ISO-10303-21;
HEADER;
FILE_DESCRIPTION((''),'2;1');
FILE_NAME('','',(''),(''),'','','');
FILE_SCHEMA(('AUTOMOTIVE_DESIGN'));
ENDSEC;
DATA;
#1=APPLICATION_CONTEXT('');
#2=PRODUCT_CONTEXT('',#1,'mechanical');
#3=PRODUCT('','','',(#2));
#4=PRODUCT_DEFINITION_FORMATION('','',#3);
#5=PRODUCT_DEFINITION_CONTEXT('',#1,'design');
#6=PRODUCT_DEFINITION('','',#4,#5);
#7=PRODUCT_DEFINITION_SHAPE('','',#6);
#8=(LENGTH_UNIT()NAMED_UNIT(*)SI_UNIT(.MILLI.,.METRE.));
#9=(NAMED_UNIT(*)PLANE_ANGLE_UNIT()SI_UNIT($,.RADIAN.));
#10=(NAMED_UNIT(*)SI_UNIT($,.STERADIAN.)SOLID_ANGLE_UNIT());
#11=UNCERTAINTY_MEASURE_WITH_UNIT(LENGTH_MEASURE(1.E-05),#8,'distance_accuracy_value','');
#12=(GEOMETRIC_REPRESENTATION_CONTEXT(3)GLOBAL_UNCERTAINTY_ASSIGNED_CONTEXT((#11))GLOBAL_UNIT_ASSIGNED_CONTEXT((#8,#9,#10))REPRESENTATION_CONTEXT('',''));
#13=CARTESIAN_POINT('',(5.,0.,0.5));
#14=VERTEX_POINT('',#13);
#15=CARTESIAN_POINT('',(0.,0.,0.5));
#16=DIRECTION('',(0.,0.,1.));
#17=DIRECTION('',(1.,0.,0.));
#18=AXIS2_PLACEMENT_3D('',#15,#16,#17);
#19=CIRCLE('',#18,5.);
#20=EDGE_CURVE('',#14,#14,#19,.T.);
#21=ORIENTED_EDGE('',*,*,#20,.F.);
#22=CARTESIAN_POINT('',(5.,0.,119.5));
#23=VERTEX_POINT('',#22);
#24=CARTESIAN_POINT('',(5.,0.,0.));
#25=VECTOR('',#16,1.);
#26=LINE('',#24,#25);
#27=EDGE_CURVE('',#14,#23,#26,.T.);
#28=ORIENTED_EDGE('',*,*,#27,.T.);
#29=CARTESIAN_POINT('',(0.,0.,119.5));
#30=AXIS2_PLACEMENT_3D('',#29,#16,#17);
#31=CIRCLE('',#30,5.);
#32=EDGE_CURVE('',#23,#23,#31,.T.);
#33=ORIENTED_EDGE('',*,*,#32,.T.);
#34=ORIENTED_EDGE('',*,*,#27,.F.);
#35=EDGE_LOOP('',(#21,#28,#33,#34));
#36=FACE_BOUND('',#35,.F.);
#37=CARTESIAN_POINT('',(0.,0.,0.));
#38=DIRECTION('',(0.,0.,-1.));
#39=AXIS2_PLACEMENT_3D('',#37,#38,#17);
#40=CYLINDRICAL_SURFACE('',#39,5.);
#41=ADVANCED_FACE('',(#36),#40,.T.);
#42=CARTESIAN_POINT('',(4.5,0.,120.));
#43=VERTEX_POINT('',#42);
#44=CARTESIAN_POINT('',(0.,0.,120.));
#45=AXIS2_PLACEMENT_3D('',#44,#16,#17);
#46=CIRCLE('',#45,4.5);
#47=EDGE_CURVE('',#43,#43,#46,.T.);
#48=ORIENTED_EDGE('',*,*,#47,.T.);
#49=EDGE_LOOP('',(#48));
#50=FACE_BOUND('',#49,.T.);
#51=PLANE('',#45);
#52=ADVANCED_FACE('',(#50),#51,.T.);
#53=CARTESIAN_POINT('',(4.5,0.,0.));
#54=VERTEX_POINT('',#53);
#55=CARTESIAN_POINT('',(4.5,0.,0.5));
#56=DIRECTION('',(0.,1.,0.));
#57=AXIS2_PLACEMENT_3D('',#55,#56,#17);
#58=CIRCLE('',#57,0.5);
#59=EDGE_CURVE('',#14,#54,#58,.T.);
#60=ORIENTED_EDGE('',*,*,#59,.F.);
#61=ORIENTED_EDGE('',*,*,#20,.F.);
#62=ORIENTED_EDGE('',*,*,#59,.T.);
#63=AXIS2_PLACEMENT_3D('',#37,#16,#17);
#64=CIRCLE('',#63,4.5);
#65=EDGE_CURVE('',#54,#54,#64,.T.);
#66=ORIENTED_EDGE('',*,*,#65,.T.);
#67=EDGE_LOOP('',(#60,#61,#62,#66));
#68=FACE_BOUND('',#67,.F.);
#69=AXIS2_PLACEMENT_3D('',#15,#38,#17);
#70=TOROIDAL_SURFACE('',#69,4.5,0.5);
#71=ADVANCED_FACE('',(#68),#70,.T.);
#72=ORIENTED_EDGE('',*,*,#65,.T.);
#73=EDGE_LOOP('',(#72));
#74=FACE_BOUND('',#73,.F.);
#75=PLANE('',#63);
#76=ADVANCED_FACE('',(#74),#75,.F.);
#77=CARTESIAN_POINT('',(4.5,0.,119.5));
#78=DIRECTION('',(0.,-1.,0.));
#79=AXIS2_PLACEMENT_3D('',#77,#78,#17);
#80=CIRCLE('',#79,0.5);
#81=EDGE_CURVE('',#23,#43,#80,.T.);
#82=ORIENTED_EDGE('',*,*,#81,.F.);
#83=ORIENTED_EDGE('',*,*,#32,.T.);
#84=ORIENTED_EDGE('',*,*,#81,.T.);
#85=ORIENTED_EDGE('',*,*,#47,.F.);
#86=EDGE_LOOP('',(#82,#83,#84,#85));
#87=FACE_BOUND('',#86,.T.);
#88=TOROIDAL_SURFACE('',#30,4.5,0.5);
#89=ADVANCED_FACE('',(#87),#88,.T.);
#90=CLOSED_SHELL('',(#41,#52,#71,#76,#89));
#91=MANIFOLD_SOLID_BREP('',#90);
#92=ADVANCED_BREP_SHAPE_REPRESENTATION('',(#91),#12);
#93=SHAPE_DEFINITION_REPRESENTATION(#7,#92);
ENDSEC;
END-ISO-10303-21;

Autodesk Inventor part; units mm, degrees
ref_plane "YZ Plane" through (0, 0, 0) normal (1, 0, 0) x (0, 1, 0)
ref_plane "XZ Plane" through (0, 0, 0) normal (0, 1, 0) x (-1, 0, 0)
ref_plane "XY Plane" through (0, 0, 0) normal (0, 0, 1) x (1, 0, 0)
sketch "Sketch1" plane through (0, 0, 0) normal (0, 0, 1) x (1, 0, 0)
  circle A0 centre (0, 0) radius 5
  dimension "d0" = 10
extrude "Extrusion1" add sketch "Sketch1" along normal blind 120
fillet "Fillet1" radius 0.5 2 edges at (-5, 0, 120) (-5, 0, 0)
properties part number "10"
